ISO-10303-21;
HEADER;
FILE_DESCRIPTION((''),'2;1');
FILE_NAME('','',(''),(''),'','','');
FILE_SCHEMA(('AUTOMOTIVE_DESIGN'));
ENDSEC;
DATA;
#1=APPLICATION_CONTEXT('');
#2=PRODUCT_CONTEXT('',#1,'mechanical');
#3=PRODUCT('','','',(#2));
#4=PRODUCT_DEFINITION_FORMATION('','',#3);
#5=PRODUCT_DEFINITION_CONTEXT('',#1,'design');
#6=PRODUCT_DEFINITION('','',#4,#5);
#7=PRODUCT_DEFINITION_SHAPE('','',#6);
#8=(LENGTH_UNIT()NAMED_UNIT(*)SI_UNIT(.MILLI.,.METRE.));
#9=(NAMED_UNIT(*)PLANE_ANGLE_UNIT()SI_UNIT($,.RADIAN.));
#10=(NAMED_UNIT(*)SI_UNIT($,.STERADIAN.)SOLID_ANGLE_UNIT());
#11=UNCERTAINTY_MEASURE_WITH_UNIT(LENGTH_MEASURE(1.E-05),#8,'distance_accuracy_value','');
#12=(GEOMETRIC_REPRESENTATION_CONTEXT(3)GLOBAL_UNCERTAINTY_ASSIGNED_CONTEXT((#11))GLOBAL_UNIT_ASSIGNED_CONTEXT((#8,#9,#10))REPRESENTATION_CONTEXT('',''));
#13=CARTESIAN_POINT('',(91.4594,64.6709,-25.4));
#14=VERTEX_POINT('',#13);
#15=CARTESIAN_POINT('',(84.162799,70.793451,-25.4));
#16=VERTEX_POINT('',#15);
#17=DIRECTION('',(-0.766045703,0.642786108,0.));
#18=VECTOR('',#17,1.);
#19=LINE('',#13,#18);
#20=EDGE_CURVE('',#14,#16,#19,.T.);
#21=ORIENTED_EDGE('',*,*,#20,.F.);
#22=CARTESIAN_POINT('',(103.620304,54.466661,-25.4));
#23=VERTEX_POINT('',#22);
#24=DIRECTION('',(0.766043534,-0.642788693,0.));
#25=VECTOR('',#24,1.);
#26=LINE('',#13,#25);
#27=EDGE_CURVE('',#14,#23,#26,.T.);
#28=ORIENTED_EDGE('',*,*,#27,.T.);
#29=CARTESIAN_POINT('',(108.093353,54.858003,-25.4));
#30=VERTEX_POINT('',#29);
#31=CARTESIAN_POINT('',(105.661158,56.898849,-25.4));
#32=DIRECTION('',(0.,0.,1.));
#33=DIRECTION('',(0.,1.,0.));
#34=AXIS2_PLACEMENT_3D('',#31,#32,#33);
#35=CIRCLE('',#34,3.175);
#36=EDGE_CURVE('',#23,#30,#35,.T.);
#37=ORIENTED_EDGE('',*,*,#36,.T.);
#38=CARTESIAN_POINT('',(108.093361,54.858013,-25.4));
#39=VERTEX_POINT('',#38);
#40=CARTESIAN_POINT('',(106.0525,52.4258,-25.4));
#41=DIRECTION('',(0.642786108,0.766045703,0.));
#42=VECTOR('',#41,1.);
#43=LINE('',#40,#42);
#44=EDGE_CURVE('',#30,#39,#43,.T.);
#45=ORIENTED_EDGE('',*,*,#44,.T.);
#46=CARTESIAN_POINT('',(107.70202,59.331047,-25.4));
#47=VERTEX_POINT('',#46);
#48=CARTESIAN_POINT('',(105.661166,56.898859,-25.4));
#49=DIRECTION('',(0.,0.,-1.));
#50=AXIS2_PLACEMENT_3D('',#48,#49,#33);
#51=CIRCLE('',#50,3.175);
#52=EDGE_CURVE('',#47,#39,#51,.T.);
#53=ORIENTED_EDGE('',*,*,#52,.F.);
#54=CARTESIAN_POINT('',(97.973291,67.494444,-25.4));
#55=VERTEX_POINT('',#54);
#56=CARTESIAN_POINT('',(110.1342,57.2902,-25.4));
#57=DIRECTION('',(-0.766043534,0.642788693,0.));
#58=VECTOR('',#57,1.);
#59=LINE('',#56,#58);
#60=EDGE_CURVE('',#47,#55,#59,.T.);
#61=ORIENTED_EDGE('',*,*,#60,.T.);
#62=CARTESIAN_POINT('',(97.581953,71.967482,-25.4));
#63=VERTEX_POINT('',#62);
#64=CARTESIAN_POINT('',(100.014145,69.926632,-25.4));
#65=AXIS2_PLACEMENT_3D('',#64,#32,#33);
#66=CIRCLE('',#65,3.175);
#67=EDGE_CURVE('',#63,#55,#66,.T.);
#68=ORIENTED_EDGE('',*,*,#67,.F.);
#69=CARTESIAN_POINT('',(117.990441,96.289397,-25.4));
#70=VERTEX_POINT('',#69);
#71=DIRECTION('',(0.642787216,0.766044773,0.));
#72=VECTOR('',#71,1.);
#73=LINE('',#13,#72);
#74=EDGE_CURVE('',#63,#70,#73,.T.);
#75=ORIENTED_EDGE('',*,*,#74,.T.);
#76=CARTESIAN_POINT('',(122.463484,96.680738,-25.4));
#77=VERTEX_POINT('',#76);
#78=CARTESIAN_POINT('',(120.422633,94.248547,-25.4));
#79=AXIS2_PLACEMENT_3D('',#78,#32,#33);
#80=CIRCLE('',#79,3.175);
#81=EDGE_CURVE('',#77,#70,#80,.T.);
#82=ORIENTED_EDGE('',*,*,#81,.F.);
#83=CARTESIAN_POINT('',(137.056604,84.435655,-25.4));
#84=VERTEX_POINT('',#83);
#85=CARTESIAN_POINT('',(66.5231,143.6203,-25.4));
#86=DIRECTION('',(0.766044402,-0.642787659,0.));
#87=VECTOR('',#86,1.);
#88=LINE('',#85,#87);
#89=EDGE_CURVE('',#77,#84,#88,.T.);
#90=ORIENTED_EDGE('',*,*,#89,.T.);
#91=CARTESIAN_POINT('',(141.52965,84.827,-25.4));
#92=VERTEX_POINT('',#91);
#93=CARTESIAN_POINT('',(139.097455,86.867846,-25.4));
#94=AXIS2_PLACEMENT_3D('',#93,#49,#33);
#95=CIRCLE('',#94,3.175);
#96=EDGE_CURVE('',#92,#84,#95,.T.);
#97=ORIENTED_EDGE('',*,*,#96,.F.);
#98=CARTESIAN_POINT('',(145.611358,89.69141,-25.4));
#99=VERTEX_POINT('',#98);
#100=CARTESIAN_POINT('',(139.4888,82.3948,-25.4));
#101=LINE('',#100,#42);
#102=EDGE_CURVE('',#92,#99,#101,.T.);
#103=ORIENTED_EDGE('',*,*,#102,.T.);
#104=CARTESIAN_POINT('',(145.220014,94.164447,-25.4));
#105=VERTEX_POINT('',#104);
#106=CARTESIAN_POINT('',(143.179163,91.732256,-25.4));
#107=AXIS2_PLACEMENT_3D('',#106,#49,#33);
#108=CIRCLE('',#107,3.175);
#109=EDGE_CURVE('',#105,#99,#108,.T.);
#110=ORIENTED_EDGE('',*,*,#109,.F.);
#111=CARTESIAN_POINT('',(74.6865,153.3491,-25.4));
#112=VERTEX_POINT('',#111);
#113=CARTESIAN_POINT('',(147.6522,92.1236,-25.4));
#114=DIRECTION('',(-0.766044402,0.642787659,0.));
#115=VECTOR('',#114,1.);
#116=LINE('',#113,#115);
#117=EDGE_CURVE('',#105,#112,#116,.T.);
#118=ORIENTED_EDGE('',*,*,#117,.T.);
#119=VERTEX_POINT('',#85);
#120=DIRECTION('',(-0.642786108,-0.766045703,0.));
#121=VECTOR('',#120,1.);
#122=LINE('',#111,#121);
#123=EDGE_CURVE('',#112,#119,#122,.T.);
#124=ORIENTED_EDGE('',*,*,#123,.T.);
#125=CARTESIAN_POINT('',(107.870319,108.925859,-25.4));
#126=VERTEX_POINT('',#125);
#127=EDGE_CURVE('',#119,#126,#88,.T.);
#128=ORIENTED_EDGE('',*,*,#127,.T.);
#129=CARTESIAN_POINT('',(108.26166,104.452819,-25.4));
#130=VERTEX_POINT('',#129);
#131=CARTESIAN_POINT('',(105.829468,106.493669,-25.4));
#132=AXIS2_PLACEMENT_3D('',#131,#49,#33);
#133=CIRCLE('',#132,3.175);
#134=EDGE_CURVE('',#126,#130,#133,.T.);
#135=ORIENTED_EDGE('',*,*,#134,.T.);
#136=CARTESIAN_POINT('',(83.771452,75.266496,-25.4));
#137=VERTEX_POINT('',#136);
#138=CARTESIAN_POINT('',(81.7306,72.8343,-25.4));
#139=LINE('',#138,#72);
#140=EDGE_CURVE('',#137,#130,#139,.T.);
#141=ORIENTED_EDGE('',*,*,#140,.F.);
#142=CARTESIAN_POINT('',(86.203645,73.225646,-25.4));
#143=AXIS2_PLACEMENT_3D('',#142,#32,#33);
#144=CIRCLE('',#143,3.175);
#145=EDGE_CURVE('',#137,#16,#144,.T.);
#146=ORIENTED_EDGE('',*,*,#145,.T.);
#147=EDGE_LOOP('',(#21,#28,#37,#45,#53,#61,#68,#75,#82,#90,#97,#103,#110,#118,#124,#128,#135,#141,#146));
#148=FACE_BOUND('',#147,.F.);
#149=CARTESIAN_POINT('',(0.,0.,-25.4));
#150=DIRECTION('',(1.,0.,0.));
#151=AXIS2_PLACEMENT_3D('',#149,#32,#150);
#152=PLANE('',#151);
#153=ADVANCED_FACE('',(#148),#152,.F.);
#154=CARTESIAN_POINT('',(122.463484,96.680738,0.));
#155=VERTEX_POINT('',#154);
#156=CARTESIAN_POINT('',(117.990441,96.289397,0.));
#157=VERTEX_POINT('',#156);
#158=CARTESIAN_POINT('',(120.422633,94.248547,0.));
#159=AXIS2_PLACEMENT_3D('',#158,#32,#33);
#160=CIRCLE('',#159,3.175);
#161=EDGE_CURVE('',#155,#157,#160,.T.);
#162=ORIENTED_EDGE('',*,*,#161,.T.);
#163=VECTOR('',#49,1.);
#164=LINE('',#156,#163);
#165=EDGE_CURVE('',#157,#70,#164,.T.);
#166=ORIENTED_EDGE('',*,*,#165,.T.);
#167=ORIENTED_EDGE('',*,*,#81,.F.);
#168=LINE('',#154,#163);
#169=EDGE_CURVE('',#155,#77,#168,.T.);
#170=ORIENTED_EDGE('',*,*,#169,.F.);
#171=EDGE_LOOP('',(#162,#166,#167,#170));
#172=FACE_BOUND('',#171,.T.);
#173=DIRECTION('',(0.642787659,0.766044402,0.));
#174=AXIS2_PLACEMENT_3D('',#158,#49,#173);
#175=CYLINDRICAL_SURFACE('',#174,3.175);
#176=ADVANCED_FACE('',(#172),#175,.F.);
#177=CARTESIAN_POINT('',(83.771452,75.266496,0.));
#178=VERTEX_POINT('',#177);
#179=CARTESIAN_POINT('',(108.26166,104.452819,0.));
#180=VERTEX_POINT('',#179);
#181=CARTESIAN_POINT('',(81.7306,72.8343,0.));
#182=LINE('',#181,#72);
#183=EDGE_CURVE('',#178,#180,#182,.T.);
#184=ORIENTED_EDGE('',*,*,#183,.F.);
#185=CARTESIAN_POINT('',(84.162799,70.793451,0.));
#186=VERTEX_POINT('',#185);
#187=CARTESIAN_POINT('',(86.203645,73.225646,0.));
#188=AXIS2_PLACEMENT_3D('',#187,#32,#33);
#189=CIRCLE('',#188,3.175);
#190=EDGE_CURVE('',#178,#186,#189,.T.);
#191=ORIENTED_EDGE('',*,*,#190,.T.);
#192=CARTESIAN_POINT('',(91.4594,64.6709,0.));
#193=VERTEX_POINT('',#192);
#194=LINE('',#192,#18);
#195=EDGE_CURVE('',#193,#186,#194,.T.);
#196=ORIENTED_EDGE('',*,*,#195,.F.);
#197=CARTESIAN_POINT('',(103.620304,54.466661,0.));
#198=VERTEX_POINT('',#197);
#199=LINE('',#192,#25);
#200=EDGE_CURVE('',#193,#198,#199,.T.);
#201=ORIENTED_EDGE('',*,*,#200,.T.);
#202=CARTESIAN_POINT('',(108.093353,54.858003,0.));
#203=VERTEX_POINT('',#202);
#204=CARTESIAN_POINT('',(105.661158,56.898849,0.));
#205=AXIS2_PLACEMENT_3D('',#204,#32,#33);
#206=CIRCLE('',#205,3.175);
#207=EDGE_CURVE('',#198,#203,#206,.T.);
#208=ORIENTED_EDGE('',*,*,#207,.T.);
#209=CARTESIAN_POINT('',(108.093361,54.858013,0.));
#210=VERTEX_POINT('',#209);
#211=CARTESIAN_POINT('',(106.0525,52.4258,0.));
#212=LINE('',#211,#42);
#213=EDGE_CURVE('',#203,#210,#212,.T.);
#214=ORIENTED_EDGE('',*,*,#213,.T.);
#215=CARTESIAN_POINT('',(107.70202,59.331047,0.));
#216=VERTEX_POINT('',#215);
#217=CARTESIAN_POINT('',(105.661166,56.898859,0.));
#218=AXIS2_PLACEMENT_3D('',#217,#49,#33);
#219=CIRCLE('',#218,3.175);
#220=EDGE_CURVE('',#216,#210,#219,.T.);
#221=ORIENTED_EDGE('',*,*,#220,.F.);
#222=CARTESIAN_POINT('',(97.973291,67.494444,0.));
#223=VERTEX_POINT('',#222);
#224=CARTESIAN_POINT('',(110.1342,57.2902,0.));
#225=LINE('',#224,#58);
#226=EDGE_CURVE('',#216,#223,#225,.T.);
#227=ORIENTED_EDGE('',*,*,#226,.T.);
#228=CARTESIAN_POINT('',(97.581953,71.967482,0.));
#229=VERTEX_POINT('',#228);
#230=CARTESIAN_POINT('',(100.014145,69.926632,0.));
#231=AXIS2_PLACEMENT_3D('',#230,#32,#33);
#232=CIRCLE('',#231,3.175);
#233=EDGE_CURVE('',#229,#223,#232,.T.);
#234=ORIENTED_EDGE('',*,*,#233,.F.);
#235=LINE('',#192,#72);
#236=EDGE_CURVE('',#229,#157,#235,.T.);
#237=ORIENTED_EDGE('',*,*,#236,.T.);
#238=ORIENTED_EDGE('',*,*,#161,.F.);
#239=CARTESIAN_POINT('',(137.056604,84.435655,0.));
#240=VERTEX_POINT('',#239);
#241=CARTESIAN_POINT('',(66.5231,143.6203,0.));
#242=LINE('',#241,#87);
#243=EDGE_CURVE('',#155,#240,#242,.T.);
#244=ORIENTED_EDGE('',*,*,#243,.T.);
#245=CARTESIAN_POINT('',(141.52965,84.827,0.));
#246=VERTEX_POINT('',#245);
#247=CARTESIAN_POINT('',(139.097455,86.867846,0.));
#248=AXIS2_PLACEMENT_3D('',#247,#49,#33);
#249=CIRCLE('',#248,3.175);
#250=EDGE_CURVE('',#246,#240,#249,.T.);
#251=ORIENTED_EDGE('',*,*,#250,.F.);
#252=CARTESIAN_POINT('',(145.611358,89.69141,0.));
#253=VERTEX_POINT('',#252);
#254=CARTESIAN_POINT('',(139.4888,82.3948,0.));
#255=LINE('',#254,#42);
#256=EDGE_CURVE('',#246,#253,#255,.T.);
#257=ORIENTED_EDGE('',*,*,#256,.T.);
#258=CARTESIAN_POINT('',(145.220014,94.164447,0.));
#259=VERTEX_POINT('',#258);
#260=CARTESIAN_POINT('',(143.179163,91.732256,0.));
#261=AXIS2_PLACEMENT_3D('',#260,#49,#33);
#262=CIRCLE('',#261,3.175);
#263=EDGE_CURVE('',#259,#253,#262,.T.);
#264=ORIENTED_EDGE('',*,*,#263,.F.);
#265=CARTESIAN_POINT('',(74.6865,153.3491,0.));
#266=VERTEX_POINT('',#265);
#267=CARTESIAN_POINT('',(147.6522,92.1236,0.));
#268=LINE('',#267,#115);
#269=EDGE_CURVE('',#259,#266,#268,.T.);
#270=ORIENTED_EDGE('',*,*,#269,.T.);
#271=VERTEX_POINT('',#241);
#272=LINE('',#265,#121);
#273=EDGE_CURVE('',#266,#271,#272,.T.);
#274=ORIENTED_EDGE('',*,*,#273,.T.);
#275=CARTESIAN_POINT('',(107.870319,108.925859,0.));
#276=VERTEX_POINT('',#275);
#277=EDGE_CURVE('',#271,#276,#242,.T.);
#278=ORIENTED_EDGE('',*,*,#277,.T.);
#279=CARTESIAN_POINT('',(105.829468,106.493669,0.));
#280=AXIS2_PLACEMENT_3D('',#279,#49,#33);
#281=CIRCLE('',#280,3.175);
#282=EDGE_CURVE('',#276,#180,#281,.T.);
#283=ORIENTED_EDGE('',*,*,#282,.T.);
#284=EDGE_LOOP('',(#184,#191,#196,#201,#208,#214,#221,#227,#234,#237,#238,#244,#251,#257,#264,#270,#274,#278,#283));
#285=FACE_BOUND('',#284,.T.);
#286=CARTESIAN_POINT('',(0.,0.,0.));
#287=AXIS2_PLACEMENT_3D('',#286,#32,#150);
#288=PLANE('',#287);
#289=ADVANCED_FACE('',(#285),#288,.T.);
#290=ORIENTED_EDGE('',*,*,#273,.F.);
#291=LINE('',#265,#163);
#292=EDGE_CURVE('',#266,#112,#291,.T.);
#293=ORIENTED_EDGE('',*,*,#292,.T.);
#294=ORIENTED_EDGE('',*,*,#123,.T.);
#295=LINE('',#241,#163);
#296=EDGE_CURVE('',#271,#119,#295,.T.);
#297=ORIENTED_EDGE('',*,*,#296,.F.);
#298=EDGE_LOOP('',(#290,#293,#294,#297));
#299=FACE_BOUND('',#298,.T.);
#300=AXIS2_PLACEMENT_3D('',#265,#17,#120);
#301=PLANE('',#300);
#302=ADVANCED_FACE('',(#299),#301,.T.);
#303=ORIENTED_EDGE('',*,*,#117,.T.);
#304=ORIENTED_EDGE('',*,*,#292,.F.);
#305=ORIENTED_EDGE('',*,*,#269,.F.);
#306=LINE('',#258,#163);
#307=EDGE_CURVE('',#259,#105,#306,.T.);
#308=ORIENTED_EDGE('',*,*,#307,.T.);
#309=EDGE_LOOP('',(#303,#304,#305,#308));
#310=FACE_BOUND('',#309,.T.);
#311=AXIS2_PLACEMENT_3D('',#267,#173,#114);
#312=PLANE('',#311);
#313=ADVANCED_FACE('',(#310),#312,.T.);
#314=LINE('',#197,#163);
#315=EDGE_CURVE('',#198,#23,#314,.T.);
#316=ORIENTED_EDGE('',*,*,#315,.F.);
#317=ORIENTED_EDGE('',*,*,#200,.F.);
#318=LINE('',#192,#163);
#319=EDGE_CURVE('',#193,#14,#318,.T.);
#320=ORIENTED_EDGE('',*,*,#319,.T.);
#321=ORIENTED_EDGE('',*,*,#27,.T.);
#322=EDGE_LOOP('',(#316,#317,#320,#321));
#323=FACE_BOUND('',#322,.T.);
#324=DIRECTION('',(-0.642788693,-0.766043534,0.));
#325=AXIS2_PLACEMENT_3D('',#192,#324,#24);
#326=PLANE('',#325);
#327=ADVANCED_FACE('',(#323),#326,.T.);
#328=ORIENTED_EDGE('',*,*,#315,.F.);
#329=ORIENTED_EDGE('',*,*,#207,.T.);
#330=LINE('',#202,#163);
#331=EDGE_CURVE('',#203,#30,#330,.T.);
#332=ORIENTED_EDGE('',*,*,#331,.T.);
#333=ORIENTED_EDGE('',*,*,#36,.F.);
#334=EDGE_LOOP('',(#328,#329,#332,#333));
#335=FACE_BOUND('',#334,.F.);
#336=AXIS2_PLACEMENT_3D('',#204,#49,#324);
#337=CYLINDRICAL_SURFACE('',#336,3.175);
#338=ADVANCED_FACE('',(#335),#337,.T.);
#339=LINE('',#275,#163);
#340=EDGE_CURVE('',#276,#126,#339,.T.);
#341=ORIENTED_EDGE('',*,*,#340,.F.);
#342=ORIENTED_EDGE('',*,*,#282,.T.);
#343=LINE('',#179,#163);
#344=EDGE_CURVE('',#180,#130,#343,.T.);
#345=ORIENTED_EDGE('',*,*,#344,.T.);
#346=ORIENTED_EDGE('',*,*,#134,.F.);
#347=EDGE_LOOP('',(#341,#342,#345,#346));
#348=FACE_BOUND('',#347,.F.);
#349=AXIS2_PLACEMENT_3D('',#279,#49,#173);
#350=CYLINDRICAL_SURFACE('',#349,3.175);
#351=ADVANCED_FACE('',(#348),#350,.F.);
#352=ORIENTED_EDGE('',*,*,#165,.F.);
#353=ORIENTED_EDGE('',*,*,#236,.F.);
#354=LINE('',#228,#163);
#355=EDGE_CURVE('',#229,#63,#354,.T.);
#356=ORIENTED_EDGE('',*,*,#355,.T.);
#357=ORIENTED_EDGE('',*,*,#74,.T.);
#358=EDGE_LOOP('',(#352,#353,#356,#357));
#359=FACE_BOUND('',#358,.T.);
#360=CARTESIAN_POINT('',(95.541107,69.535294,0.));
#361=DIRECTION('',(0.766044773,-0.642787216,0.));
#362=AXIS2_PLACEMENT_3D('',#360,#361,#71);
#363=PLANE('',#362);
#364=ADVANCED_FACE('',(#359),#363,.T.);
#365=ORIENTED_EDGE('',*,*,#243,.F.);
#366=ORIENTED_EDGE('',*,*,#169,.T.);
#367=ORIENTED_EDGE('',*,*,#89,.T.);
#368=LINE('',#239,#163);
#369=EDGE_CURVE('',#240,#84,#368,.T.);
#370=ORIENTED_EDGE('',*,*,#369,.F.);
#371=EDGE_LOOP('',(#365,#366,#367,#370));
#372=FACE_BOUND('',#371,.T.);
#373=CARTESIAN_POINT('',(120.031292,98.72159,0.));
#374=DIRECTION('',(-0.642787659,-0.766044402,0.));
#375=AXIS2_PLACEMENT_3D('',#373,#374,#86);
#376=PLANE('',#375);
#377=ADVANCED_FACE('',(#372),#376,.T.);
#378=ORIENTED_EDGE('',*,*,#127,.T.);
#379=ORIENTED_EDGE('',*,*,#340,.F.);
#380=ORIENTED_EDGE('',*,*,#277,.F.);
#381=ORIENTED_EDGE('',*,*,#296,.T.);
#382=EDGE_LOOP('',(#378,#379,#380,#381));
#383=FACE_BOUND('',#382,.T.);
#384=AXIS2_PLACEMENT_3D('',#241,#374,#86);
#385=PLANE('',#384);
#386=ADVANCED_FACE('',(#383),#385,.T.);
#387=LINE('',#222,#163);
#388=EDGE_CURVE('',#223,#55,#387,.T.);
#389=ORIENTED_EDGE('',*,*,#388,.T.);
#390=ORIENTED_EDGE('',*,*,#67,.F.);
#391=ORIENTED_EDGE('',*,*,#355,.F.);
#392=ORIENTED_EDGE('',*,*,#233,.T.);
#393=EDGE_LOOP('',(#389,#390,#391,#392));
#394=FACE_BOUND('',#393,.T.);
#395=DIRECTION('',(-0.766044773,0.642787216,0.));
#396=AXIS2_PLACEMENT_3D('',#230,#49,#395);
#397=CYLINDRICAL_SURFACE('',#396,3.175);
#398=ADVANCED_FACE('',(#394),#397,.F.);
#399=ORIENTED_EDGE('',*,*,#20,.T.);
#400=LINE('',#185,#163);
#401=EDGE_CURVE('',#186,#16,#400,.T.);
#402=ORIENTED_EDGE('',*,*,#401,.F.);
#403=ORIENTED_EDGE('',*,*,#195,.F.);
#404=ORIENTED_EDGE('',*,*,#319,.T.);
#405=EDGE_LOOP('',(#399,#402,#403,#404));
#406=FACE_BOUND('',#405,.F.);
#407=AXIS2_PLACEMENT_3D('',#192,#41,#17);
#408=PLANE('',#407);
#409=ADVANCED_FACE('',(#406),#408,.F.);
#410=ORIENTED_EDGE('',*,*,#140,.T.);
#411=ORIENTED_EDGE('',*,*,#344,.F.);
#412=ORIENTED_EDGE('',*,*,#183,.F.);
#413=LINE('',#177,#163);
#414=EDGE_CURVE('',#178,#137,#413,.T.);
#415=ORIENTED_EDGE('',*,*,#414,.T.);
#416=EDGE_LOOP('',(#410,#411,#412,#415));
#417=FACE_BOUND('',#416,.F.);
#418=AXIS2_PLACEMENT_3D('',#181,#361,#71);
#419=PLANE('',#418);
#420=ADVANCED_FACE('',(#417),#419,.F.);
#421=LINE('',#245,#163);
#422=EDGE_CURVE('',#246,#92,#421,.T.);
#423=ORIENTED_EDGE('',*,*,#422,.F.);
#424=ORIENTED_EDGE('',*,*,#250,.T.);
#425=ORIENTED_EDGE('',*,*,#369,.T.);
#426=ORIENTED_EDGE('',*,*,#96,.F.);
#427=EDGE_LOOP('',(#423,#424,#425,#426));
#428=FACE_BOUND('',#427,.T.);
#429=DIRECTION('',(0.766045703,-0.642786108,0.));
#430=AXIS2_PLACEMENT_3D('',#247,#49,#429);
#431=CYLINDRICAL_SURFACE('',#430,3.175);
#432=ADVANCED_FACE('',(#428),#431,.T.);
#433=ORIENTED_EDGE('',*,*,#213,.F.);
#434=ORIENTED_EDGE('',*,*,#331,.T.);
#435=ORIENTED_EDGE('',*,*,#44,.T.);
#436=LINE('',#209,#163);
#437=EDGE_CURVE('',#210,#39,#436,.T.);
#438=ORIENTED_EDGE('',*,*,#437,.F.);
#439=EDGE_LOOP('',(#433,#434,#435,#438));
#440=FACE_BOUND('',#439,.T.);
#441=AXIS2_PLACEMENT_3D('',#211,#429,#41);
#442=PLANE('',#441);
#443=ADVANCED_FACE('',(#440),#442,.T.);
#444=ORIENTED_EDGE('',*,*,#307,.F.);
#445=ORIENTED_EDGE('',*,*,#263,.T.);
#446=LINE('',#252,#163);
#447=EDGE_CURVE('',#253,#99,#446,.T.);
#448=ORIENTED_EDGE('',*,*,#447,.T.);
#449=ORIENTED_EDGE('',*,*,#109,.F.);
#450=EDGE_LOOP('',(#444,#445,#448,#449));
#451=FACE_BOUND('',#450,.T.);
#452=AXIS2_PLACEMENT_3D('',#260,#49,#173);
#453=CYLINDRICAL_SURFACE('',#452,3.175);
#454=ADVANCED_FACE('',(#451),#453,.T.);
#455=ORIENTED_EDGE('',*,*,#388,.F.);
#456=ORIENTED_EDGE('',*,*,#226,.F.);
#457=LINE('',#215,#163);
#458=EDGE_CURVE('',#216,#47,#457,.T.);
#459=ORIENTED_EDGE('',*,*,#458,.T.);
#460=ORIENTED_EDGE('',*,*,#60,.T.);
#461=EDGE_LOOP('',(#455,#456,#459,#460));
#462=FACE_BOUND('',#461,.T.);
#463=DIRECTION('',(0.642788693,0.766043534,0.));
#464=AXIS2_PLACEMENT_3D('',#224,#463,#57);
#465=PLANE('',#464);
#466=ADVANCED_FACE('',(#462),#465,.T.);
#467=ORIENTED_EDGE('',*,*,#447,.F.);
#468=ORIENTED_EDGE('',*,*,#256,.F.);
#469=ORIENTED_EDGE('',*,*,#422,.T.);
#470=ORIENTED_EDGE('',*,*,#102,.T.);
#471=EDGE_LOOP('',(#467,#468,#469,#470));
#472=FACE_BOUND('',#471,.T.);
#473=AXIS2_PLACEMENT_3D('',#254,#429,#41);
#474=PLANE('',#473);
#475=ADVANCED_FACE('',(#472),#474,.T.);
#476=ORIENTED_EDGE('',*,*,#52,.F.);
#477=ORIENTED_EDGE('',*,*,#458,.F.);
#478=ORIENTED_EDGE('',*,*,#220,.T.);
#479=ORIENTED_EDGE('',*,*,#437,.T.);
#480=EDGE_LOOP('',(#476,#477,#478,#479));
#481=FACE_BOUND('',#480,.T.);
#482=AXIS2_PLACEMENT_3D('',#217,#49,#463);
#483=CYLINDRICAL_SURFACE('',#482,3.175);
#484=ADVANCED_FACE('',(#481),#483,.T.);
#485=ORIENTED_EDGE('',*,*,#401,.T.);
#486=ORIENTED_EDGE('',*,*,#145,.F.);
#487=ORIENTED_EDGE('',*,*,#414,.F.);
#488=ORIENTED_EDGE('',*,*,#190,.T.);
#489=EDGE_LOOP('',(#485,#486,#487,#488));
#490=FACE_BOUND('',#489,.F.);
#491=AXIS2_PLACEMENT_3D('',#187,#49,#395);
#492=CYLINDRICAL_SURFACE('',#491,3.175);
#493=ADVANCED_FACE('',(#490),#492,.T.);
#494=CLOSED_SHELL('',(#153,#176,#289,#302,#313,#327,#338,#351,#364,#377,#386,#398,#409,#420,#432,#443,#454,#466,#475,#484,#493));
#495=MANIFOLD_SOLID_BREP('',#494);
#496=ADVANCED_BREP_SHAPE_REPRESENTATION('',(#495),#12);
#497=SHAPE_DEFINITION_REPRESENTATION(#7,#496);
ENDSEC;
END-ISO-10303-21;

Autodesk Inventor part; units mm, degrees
ref_plane "YZ Plane" through (0, 0, 0) normal (1, 0, 0) x (0, 1, 0)
ref_plane "XZ Plane" through (0, 0, 0) normal (0, 1, 0) x (-1, 0, 0)
ref_plane "XY Plane" through (0, 0, 0) normal (0, 0, 1) x (1, 0, 0)
sketch "Sketch1" plane through (0, 0, 0) normal (0, 0, 1) x (1, 0, 0)
  line L0 (0, 127) -> (76.2, 127) construction
  line L1 (76.2, 127) -> (76.2, 0) construction
  line L2 (76.2, 0) -> (0, 0) construction
  line L3 (0, 0) -> (0, 127) construction
  line L4 (107.95, 80.9498) -> (293.751, 80.9498) construction
  line L5 (107.95, 80.9498) -> (293.751, 80.9498) construction
  line L6 (293.751, 80.9498) -> (293.751, 61.8998) construction
  line L7 (293.751, 61.8998) -> (107.95, 61.8998) construction
  line L8 (107.95, 61.8998) -> (107.95, 80.9498) construction
  line L9 (66.5231, 143.6203) -> (139.4888, 82.3948)
  line L10 (139.4888, 82.3948) -> (147.6522, 92.1236)
  line L11 (147.6522, 92.1236) -> (74.6865, 153.3491)
  line L12 (91.4594, 64.6709) -> (120.0313, 98.7216)
  line L13 (91.4594, 64.6709) -> (81.7306, 72.8343)
  line L14 (81.7306, 72.8343) -> (110.3025, 106.885)
  line L15 (91.4594, 64.6709) -> (106.0525, 52.4258)
  line L16 (106.0525, 52.4258) -> (110.1342, 57.2902)
  line L17 (110.1342, 57.2902) -> (95.5411, 69.5353)
  line L18 (74.6865, 153.3491) -> (66.5231, 143.6203)
  point P0 (107.95, 71.4248)
  dimension "d0" = 127
  dimension "d1" = 76.2
  dimension "d2" = 46.0502
  dimension "d3" = 185.801
  dimension "d4" = 19.05
  dimension "d5" = 31.75
  dimension "d6" = 12.7
  dimension "d7" = 12.7
  dimension "d8" = 25.4
  dimension "d9" = 44.45
  dimension "d11" = 19.05
  dimension "d13" = 6.35
  dimension "d14" = 50
  dimension "d15" = 95.25
extrude "Extrusion1" add sketch "Sketch1" against normal blind 25.4
fillet "Fillet1" radius 3.175 8 edges at (95.5411, 69.5353, -12.7) (120.0313, 98.7216, -12.7) (139.4888, 82.3948, -12.7) (147.6522, 92.1236, -12.7) (110.3025, 106.885, -12.7) (106.0525, 52.4258, -12.7) (110.1342, 57.2902, -12.7) (81.7306, 72.8343, -12.7)
properties part number "CL4-015" material "ABS Plastic"
